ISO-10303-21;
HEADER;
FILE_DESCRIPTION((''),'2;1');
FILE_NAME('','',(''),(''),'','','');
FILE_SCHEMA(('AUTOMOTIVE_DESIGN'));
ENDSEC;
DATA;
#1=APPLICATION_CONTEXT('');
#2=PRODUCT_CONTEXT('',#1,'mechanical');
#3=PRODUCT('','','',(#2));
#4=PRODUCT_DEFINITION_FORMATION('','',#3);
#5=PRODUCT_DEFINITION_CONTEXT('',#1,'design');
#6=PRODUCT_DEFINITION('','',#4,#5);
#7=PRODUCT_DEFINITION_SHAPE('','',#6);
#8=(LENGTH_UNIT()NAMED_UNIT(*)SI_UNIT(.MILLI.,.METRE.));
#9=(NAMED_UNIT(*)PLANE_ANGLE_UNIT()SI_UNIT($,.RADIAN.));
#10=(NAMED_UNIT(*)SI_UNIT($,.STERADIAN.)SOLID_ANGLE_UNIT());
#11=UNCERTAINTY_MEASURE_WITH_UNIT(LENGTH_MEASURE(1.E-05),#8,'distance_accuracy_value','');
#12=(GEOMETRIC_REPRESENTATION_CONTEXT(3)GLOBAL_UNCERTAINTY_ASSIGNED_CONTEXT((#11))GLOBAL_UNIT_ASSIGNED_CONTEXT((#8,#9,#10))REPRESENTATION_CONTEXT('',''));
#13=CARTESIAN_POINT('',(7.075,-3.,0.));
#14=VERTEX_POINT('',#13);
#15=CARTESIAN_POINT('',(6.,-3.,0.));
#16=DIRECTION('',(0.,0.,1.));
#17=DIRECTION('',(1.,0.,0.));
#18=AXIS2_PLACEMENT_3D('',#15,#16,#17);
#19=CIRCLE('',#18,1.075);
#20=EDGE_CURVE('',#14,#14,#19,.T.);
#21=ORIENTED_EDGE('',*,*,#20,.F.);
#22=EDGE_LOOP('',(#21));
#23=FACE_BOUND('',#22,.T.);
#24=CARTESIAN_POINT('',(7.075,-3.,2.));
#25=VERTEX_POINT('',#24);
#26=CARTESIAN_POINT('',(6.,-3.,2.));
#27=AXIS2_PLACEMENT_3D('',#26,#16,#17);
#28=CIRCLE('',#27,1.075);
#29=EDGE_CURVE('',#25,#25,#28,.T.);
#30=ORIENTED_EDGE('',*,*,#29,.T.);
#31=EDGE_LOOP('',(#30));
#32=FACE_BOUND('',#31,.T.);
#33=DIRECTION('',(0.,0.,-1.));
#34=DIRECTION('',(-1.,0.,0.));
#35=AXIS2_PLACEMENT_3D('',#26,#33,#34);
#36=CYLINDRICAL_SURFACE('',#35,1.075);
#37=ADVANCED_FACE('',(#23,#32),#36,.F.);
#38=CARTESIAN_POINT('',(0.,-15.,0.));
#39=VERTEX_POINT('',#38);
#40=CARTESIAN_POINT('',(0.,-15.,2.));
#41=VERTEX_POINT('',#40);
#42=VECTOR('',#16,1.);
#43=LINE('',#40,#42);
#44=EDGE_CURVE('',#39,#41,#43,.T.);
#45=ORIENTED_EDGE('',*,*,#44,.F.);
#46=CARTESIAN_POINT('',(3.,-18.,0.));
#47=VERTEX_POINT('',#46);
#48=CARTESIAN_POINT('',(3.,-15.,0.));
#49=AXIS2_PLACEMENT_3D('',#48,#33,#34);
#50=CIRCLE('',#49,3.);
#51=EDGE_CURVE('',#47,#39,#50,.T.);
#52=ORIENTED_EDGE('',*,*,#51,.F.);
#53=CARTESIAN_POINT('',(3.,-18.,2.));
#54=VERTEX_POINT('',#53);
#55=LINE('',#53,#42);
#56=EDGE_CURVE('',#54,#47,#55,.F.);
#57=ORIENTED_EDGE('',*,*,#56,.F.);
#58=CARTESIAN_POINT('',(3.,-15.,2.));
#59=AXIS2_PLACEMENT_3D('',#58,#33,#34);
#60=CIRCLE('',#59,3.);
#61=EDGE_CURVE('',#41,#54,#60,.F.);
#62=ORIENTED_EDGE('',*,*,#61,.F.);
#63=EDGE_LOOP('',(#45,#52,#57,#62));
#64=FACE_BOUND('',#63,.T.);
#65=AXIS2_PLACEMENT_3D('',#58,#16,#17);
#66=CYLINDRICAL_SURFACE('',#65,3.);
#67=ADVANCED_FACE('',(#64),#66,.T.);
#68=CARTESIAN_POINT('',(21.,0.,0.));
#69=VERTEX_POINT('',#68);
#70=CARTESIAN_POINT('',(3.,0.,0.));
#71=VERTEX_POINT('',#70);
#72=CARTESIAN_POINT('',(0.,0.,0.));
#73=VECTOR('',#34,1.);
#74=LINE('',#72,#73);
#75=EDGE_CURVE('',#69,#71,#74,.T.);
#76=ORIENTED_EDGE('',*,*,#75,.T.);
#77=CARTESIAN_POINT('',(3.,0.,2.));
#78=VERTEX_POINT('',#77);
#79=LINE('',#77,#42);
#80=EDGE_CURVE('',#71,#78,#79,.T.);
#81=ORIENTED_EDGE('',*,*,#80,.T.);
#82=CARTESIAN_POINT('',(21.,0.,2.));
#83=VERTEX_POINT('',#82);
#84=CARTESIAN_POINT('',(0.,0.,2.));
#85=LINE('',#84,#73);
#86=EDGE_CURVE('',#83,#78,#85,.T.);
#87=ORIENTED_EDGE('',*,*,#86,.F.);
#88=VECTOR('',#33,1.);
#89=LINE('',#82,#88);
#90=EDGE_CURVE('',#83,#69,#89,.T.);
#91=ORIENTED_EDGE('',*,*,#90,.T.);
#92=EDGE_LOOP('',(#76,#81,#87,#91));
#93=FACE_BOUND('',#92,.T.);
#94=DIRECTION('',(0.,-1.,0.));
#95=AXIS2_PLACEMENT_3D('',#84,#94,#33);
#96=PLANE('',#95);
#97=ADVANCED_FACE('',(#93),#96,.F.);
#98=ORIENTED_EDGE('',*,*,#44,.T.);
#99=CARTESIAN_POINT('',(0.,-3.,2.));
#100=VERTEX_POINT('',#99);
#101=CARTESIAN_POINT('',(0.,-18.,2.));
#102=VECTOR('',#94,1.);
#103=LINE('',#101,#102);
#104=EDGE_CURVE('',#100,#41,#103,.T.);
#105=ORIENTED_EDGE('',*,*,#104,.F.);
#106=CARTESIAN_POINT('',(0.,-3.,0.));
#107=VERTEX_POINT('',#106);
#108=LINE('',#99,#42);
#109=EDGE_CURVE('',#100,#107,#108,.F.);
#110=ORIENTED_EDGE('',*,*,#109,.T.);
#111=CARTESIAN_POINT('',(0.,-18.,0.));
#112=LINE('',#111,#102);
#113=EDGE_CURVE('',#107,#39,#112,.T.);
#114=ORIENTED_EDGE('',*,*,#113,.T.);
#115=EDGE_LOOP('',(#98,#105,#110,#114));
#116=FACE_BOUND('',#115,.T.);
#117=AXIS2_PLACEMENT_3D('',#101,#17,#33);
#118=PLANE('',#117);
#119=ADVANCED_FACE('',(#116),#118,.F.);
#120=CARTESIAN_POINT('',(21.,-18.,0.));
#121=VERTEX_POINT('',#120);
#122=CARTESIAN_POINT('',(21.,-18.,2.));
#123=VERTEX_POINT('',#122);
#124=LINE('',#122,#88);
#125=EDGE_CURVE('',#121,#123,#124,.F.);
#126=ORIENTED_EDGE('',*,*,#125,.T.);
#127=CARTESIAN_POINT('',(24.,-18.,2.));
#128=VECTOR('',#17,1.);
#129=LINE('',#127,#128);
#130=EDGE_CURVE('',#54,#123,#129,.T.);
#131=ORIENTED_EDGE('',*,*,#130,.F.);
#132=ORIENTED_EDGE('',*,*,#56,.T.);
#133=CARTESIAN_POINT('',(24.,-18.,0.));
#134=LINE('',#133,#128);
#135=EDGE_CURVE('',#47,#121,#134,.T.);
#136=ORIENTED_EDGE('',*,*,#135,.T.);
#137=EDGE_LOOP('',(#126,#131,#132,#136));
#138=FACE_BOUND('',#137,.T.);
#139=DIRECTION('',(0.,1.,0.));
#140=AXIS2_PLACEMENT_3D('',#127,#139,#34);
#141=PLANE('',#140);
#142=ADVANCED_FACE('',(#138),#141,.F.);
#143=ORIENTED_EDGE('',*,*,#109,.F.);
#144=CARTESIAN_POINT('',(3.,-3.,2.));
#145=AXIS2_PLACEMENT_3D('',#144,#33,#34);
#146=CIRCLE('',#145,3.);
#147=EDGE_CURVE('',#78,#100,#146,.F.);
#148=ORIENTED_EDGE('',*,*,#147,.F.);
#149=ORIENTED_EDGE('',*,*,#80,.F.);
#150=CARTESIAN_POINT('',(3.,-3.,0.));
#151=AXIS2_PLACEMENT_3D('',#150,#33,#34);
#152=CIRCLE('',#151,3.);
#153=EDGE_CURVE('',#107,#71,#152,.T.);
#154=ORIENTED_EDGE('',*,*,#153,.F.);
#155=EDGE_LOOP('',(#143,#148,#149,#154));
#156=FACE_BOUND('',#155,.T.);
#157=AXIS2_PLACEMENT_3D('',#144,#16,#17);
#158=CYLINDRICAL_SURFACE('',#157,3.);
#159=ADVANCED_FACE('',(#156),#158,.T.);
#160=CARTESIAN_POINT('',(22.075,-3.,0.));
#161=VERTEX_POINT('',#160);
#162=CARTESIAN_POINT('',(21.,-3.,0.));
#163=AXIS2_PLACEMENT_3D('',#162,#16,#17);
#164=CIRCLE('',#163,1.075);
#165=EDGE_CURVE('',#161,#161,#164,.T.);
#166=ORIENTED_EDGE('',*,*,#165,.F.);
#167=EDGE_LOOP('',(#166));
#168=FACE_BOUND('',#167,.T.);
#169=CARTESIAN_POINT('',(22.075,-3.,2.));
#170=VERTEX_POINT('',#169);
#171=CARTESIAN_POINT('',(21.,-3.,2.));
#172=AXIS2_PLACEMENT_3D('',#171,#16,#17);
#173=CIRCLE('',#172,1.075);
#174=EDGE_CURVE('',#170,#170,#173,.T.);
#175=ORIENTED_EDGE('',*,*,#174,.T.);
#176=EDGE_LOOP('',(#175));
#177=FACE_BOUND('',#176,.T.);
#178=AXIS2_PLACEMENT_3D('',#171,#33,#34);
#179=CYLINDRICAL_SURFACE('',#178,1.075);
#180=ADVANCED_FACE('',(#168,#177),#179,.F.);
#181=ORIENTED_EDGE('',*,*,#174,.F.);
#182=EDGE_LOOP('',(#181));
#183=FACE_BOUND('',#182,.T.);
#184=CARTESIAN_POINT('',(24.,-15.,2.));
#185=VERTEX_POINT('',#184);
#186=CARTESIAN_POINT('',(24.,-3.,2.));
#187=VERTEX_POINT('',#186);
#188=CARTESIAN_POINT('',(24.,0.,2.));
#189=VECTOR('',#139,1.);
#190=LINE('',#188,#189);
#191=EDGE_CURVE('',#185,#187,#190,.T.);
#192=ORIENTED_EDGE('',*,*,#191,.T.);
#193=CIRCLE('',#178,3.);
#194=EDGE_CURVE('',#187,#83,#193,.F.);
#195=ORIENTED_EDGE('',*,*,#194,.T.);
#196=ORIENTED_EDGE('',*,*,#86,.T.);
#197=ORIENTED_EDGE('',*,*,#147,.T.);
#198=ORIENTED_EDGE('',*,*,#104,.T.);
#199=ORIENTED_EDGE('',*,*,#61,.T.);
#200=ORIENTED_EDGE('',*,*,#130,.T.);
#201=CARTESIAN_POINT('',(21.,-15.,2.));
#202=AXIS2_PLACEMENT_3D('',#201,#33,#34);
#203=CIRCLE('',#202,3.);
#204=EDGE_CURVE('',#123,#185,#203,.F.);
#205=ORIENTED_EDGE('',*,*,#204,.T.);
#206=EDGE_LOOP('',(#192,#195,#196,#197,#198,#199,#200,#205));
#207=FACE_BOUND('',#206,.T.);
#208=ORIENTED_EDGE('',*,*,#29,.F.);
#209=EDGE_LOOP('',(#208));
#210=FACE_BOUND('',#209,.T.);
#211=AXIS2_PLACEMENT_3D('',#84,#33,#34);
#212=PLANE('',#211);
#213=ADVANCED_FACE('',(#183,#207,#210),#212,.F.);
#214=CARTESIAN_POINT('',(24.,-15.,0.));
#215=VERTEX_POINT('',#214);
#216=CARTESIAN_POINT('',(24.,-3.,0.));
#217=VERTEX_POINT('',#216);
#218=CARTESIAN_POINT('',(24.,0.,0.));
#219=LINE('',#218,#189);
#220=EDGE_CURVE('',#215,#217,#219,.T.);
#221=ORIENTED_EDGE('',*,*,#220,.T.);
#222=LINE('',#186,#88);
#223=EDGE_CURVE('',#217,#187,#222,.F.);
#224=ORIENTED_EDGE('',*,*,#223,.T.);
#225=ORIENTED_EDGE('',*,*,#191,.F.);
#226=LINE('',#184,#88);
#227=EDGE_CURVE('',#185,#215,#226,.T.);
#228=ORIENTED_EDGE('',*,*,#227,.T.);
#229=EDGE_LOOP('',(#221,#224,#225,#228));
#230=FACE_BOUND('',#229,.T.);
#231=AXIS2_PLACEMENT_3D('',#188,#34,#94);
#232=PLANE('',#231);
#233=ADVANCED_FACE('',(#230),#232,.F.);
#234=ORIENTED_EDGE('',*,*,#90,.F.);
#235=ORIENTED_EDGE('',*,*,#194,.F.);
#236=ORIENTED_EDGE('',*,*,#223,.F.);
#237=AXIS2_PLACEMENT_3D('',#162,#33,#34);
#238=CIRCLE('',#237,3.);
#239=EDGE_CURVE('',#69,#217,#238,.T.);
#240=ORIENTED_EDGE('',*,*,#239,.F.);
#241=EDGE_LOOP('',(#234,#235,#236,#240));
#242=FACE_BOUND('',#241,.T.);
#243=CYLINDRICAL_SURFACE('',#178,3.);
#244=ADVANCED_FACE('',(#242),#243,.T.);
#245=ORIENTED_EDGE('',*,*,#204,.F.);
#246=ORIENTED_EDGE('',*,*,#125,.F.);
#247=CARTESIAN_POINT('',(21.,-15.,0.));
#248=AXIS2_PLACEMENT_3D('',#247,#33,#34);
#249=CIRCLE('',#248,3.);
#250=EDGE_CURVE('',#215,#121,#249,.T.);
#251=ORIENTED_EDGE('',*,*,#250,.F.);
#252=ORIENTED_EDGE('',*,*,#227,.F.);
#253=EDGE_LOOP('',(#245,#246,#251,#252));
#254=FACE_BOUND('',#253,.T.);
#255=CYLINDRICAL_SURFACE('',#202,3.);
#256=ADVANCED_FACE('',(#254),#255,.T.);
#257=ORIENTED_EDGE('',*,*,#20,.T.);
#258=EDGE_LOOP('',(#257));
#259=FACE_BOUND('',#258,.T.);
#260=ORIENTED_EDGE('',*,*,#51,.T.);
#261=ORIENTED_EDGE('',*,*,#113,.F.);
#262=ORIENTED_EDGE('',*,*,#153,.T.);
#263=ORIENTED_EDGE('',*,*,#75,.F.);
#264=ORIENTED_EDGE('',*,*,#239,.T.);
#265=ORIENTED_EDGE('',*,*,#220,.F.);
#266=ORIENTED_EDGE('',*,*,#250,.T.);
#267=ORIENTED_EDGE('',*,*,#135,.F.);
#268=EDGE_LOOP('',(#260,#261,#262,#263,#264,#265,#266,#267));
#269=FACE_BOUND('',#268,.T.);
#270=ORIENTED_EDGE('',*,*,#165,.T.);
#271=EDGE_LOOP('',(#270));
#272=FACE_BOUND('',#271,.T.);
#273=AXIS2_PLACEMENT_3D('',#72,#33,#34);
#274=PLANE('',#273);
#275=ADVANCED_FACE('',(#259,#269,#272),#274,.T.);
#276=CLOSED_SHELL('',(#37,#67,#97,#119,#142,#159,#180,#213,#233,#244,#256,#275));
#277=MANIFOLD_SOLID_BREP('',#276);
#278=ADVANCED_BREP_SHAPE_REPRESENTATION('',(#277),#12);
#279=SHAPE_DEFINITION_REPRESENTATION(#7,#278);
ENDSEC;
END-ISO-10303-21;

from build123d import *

# Parameters (mm, degrees)
SKETCH_1_W      = 24
SKETCH_1_H      = 18
SKETCH_1_R      = 1.075
EXTRUDE_1_DEPTH = 2
FILLET_1_R      = 3
FILLET_2_R      = 3
FILLET_3_R      = 3
FILLET_4_R      = 3


with BuildPart() as part:
    # 草图1 → 凸台-拉伸1 (new body)
    with BuildSketch(Plane.XY):
        with Locations((12, -9)):
            Rectangle(SKETCH_1_W, SKETCH_1_H)
        with Locations((21, -3)):
            Circle(SKETCH_1_R, mode=Mode.SUBTRACT)
        with Locations((6, -3)):
            Circle(SKETCH_1_R, mode=Mode.SUBTRACT)
    extrude(amount=EXTRUDE_1_DEPTH)

    # 圆角1
    fillet_1_edges = [part.edges().sort_by_distance(p)[0] for p in [
        (24, 0, 1),
    ]]
    fillet(fillet_1_edges, radius=FILLET_1_R)

    # 圆角2
    fillet_2_edges = [part.edges().sort_by_distance(p)[0] for p in [
        (0, 0, 1),
    ]]
    fillet(fillet_2_edges, radius=FILLET_2_R)

    # 圆角3
    fillet_3_edges = [part.edges().sort_by_distance(p)[0] for p in [
        (0, -18, 1),
    ]]
    fillet(fillet_3_edges, radius=FILLET_3_R)

    # 圆角4
    fillet_4_edges = [part.edges().sort_by_distance(p)[0] for p in [
        (24, -18, 1),
    ]]
    fillet(fillet_4_edges, radius=FILLET_4_R)


solid = part.part
